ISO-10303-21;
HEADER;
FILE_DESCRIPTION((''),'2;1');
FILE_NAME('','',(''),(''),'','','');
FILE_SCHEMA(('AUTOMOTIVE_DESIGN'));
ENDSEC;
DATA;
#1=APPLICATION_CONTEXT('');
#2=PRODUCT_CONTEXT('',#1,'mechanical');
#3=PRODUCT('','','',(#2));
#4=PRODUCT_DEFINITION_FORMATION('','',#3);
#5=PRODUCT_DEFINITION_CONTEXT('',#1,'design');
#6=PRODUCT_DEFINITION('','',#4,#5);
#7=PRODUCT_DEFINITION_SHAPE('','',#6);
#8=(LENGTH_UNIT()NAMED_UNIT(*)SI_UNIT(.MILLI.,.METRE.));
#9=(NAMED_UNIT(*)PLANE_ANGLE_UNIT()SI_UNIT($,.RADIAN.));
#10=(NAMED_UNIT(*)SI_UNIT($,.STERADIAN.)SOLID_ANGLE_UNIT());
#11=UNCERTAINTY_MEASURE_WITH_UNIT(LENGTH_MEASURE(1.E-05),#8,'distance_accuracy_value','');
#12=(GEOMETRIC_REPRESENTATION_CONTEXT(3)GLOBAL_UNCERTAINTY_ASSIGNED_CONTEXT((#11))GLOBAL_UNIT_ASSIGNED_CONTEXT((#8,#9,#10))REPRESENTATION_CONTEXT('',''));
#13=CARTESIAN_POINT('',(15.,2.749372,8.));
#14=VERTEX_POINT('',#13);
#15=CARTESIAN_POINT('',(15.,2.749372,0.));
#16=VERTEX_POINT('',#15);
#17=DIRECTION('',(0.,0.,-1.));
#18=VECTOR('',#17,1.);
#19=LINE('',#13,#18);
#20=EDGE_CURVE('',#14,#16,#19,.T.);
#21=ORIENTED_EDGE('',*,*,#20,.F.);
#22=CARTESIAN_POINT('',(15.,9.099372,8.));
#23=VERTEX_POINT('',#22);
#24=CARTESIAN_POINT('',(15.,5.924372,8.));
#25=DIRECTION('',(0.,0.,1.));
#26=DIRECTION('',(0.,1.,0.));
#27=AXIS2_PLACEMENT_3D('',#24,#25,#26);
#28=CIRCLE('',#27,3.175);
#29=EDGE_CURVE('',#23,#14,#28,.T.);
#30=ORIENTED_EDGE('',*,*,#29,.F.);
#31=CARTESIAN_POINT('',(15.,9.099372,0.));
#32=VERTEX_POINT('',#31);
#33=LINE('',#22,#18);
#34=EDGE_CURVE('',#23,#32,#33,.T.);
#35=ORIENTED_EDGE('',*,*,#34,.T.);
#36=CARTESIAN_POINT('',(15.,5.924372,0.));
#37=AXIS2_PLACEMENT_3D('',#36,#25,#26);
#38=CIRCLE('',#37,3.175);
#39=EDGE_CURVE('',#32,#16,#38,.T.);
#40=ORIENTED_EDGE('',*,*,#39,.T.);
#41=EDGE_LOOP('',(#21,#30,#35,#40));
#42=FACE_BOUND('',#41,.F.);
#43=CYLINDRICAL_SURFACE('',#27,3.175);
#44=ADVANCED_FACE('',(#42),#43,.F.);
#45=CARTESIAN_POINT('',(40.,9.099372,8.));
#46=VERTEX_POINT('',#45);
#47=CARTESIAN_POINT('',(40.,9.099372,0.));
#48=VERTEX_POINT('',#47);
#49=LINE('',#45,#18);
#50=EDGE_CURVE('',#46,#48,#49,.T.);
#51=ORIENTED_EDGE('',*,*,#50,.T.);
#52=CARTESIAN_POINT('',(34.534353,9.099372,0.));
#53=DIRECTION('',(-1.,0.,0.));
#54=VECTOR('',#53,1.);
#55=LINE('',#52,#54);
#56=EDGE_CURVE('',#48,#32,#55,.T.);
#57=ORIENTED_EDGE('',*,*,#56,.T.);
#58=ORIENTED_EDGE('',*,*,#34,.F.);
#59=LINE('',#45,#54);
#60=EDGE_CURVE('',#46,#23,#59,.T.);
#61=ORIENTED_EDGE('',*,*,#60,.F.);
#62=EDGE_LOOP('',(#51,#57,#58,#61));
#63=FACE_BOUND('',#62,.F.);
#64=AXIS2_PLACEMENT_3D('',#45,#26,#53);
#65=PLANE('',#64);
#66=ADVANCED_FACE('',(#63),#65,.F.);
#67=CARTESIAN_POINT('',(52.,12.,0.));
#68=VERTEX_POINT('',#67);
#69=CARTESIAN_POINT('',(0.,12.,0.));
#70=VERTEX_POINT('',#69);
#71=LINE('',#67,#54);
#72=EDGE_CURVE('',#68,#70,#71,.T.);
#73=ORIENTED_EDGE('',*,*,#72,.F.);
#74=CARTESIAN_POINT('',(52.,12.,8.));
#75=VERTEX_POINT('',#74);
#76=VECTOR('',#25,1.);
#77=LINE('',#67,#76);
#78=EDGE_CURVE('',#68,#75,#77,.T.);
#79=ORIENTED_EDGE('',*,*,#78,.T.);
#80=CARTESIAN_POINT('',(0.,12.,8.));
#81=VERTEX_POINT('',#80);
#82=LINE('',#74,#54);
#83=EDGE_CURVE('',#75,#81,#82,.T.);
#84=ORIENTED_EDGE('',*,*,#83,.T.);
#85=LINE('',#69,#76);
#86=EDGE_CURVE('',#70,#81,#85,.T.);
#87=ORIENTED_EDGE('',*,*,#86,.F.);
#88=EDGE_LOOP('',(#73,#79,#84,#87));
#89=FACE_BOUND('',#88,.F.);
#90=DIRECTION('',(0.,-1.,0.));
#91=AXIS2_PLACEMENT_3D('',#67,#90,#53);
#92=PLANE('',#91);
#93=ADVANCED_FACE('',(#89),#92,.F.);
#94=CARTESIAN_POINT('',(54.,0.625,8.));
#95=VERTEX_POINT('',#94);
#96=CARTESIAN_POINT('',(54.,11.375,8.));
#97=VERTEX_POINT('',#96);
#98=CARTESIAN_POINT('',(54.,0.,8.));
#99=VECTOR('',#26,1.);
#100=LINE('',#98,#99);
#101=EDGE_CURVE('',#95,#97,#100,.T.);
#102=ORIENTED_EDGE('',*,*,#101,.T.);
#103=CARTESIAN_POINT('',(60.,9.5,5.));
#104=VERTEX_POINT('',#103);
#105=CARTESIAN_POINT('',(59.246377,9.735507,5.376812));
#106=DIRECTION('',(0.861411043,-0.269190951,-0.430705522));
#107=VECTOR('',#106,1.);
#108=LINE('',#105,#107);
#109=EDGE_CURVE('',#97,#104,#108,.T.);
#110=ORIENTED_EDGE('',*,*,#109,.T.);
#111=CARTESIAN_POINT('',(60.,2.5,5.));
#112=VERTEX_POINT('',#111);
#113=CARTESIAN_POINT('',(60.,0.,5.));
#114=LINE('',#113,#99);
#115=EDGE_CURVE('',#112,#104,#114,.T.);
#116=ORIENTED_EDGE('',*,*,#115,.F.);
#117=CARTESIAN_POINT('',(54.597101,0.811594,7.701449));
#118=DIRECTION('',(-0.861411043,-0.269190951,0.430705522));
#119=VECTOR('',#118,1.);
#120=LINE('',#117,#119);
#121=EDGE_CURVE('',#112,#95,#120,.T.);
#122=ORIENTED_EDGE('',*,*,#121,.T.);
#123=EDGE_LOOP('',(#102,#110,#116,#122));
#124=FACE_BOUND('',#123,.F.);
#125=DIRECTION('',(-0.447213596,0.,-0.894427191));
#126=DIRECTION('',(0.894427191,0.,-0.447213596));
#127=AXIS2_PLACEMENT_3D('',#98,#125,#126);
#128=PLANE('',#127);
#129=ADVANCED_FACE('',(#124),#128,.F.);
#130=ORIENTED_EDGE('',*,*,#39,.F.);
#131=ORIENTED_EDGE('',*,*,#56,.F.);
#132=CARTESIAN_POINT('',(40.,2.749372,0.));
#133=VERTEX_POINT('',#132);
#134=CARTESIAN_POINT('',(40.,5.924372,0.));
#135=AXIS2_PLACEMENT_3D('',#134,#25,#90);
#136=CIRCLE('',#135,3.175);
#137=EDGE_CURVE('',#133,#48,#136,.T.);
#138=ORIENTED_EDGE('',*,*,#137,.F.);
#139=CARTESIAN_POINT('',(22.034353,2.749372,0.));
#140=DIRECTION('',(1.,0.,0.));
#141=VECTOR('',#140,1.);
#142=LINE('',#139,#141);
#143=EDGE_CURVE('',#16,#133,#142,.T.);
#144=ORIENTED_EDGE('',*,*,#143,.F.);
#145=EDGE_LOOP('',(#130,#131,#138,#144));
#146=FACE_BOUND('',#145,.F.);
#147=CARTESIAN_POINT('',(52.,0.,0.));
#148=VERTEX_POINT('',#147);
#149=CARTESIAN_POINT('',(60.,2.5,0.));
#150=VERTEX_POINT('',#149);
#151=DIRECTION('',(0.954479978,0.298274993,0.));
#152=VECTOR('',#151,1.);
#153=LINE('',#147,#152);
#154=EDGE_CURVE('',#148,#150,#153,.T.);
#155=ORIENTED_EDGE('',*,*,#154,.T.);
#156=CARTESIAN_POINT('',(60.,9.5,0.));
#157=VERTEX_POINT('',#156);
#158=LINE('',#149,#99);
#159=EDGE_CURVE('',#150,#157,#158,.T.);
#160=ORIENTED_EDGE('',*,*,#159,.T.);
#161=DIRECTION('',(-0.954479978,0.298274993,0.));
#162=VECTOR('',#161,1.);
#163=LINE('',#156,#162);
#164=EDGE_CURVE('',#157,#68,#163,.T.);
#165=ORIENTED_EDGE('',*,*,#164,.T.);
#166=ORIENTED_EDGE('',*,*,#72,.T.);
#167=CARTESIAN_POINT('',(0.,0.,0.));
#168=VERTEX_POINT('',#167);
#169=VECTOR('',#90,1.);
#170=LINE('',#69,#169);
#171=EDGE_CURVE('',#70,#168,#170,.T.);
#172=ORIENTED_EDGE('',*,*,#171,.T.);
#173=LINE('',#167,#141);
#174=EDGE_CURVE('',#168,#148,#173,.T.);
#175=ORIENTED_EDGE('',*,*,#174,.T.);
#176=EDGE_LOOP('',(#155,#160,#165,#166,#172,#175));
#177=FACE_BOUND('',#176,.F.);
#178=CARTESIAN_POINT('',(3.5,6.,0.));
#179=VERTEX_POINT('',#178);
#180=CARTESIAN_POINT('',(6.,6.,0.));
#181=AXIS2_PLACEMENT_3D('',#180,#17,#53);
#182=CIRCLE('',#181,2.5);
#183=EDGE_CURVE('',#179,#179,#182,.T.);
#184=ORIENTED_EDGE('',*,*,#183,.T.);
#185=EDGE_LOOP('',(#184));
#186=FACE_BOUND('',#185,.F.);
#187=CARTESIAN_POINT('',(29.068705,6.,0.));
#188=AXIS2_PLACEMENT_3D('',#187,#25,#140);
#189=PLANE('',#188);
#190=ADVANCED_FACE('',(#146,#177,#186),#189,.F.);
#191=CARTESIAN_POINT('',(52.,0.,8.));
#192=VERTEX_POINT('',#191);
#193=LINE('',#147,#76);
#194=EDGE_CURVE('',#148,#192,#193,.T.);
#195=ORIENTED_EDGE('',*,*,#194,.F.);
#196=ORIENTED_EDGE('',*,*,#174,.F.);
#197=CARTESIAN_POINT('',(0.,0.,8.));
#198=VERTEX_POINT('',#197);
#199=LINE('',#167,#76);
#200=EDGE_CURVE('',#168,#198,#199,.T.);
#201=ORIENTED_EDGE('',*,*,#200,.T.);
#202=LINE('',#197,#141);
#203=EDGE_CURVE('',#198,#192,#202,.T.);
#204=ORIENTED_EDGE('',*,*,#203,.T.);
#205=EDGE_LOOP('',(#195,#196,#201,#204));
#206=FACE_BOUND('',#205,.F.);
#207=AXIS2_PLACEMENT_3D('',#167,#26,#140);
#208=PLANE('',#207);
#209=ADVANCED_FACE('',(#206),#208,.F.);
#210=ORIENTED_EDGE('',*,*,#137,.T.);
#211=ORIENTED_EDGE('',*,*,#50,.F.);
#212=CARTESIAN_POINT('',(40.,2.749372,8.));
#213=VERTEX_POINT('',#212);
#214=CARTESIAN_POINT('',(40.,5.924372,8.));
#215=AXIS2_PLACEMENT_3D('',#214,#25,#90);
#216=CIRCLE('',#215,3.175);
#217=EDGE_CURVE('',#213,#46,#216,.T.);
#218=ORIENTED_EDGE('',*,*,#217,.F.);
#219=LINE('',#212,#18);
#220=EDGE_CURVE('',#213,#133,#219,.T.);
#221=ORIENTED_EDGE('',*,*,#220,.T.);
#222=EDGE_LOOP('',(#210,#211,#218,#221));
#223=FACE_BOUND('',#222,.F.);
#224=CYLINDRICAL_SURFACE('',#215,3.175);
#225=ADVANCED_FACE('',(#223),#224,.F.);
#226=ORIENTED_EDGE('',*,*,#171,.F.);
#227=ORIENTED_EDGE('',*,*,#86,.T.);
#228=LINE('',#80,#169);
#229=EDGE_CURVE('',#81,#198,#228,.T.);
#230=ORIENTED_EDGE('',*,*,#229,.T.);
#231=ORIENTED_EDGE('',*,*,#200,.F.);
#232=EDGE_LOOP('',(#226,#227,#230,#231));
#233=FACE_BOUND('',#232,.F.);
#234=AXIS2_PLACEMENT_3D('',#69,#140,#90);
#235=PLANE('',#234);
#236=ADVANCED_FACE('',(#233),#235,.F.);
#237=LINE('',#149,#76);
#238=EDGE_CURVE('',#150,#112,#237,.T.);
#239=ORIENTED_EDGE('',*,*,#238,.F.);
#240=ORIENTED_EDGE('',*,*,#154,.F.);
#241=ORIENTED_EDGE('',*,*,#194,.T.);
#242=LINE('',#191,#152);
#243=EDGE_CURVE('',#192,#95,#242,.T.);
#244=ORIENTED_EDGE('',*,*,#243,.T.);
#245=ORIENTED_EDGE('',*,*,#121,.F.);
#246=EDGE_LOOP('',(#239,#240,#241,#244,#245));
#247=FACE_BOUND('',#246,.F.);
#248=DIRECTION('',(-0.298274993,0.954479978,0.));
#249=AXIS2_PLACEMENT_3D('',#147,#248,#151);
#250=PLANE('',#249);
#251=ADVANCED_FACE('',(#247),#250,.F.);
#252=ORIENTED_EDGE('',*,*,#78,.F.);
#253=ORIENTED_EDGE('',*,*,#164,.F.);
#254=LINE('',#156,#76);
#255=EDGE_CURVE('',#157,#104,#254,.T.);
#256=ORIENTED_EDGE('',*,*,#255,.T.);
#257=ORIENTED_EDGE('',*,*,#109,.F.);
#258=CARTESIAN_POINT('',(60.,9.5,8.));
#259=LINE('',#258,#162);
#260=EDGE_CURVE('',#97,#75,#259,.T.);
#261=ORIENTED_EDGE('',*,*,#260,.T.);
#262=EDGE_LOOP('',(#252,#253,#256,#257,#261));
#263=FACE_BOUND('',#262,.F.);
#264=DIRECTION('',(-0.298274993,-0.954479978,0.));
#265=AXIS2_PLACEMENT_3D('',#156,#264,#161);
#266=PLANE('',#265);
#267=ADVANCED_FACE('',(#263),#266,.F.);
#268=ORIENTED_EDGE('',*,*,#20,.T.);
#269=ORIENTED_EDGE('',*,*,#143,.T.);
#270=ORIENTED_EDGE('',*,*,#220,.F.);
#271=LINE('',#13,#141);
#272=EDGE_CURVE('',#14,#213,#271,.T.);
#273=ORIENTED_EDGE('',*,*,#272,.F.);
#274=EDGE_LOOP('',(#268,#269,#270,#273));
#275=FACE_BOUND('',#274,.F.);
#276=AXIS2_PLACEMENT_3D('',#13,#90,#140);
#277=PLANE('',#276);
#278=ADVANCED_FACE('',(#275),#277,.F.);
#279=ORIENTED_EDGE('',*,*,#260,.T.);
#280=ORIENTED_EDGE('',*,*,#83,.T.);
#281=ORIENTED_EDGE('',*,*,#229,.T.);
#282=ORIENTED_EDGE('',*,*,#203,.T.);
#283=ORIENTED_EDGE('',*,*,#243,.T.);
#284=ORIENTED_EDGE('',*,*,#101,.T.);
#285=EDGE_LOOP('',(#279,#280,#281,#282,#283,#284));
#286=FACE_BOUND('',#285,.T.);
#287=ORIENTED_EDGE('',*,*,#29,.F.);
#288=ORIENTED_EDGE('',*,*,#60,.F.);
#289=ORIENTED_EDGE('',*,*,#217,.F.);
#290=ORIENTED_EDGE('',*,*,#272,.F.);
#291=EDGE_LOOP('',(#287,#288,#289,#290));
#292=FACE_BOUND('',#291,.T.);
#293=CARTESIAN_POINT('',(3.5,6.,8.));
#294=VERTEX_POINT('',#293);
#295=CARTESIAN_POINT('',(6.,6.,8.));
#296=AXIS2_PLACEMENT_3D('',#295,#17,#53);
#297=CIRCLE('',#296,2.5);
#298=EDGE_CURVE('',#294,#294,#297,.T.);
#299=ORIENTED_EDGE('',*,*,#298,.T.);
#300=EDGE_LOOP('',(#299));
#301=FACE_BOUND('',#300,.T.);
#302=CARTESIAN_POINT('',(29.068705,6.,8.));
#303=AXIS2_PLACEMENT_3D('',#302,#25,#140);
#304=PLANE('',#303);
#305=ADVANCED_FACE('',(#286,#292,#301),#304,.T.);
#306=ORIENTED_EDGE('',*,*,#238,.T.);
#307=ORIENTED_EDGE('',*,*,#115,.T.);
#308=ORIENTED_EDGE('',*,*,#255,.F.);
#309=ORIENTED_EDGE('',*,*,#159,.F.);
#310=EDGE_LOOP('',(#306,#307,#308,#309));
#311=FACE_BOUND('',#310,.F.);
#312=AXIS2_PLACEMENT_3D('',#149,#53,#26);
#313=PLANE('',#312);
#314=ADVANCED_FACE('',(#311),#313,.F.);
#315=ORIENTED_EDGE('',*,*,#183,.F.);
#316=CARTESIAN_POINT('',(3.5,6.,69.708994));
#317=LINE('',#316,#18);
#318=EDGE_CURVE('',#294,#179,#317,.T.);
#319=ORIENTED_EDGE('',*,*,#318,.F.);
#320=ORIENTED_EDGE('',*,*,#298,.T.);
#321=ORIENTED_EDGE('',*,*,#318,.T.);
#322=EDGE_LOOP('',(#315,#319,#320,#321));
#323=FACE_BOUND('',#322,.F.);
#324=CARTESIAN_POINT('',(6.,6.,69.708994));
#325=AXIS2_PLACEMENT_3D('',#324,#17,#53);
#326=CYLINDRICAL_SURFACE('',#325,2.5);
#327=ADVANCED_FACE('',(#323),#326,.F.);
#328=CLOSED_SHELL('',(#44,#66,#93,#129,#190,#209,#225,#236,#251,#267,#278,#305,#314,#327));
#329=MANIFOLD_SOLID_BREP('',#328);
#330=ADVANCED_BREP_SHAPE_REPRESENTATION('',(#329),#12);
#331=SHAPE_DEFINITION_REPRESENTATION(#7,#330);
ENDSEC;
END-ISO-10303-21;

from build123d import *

# Parameters (mm, degrees)
F1_DEPTH = 8
F3_D     = 5
F5_DEPTH = 8.001
F7_DEPTH = 12.001


with BuildPart() as f1:
    # F0 (on Top) → F1 (new body)
    with BuildSketch(Plane.XY):
        Polygon((0, 12), (0, 0), (52, 0), (60, 2.5), (60, 9.5), (52, 12), align=None)
    extrude(amount=F1_DEPTH)

    # F3 (through all)
    with Locations(Plane.XY.offset(8)):
        with Locations((6, 6)):
            Hole(F3_D / 2)

    # F4 (on face) → F5 (cut, through all)
    with BuildSketch(Plane.XY.offset(8)):
        with BuildLine():
            ThreePointArc((15, 9.0993724681), (11.825, 5.9243724681), (15, 2.7493724681))
            Line((15, 2.7493724681), (40, 2.7493724681))
            ThreePointArc((40, 2.7493724681), (43.175, 5.9243724681), (40, 9.0993724681))
            Line((40, 9.0993724681), (15, 9.0993724681))
        make_face()
    extrude(amount=-F5_DEPTH, mode=Mode.SUBTRACT)

    # F6 (on face) → F7 (cut, through all)
    with BuildSketch(Plane.XZ):
        Polygon((60, 8), (54, 8), (60, 5), align=None)
    extrude(amount=-F7_DEPTH, mode=Mode.SUBTRACT)


solid = f1.part
